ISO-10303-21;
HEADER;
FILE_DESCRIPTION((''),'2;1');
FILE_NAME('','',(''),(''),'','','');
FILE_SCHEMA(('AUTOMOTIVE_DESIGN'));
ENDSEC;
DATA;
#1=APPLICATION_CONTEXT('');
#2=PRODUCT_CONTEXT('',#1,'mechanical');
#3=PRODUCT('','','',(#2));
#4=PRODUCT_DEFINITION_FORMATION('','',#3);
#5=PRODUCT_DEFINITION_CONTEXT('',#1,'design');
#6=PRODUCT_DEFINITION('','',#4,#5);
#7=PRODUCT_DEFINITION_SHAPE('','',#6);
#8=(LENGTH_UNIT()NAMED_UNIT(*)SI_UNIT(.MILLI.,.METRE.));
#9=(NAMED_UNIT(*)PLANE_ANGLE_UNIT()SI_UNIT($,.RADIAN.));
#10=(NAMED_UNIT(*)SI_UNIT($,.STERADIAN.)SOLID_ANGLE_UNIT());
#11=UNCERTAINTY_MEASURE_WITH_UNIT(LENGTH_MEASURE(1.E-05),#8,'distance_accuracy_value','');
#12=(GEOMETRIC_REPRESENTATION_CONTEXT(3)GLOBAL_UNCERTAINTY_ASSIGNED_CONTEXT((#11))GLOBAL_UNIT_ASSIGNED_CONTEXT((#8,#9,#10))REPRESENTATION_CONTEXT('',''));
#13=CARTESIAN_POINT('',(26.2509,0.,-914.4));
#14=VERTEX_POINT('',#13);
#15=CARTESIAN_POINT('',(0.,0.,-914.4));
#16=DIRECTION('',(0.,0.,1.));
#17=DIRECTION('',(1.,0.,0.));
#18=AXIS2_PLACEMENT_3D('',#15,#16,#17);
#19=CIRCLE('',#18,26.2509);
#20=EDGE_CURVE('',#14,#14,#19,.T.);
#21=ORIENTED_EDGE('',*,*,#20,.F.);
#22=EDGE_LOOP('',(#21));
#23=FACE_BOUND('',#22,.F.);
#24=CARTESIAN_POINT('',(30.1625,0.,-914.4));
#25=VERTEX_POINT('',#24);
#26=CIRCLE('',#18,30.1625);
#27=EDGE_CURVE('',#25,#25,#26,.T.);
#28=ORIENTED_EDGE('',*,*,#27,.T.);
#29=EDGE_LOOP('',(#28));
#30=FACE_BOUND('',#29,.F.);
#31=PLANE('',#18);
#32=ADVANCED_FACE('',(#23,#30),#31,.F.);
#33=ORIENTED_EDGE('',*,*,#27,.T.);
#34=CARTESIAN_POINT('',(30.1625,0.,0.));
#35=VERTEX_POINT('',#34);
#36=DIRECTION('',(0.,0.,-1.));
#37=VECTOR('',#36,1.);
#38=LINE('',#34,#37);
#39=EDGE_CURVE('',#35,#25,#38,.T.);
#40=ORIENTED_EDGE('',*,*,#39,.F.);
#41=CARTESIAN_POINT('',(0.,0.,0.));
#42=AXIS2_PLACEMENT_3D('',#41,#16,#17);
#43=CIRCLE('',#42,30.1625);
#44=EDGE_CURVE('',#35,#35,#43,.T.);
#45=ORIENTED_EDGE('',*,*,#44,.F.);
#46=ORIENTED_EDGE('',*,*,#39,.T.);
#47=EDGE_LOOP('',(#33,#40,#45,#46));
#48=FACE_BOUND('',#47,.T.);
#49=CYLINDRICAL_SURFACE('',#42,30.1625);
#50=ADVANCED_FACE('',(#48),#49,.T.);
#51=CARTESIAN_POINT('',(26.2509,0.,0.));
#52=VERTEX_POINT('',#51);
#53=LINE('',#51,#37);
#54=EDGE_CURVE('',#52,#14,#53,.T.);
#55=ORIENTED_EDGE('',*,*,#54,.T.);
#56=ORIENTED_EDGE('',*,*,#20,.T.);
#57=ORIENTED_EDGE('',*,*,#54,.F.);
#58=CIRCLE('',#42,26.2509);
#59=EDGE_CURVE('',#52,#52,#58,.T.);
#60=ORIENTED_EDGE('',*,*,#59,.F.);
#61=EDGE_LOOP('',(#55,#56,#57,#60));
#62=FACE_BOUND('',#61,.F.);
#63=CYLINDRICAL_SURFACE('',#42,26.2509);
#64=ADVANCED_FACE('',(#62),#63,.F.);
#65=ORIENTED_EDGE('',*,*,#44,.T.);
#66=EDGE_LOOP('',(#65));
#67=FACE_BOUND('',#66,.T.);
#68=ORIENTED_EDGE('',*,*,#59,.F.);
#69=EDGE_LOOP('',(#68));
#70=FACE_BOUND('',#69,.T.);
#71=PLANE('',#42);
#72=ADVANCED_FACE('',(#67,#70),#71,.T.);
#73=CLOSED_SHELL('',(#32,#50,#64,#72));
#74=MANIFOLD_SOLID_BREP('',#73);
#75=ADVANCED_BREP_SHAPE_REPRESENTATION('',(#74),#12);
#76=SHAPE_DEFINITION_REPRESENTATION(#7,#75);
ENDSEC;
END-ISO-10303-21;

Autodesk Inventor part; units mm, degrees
ref_plane "YZ Plane" through (0, 0, 0) normal (1, 0, 0) x (0, 1, 0)
ref_plane "XZ Plane" through (0, 0, 0) normal (0, 1, 0) x (-1, 0, 0)
ref_plane "XY Plane" through (0, 0, 0) normal (0, 0, 1) x (1, 0, 0)
sketch "Sketch1" plane through (0, 0, 0) normal (0, 0, 1) x (1, 0, 0)
  circle A0 centre (0, 0) radius 26.2509
  circle A1 centre (0, 0) radius 30.1625
  dimension "d0" = 52.5018
  dimension "d1" = 60.325
extrude "Extrusion1" add sketch "Sketch1" against normal blind 914.4
properties part number "2_0-inch schedule 40"
